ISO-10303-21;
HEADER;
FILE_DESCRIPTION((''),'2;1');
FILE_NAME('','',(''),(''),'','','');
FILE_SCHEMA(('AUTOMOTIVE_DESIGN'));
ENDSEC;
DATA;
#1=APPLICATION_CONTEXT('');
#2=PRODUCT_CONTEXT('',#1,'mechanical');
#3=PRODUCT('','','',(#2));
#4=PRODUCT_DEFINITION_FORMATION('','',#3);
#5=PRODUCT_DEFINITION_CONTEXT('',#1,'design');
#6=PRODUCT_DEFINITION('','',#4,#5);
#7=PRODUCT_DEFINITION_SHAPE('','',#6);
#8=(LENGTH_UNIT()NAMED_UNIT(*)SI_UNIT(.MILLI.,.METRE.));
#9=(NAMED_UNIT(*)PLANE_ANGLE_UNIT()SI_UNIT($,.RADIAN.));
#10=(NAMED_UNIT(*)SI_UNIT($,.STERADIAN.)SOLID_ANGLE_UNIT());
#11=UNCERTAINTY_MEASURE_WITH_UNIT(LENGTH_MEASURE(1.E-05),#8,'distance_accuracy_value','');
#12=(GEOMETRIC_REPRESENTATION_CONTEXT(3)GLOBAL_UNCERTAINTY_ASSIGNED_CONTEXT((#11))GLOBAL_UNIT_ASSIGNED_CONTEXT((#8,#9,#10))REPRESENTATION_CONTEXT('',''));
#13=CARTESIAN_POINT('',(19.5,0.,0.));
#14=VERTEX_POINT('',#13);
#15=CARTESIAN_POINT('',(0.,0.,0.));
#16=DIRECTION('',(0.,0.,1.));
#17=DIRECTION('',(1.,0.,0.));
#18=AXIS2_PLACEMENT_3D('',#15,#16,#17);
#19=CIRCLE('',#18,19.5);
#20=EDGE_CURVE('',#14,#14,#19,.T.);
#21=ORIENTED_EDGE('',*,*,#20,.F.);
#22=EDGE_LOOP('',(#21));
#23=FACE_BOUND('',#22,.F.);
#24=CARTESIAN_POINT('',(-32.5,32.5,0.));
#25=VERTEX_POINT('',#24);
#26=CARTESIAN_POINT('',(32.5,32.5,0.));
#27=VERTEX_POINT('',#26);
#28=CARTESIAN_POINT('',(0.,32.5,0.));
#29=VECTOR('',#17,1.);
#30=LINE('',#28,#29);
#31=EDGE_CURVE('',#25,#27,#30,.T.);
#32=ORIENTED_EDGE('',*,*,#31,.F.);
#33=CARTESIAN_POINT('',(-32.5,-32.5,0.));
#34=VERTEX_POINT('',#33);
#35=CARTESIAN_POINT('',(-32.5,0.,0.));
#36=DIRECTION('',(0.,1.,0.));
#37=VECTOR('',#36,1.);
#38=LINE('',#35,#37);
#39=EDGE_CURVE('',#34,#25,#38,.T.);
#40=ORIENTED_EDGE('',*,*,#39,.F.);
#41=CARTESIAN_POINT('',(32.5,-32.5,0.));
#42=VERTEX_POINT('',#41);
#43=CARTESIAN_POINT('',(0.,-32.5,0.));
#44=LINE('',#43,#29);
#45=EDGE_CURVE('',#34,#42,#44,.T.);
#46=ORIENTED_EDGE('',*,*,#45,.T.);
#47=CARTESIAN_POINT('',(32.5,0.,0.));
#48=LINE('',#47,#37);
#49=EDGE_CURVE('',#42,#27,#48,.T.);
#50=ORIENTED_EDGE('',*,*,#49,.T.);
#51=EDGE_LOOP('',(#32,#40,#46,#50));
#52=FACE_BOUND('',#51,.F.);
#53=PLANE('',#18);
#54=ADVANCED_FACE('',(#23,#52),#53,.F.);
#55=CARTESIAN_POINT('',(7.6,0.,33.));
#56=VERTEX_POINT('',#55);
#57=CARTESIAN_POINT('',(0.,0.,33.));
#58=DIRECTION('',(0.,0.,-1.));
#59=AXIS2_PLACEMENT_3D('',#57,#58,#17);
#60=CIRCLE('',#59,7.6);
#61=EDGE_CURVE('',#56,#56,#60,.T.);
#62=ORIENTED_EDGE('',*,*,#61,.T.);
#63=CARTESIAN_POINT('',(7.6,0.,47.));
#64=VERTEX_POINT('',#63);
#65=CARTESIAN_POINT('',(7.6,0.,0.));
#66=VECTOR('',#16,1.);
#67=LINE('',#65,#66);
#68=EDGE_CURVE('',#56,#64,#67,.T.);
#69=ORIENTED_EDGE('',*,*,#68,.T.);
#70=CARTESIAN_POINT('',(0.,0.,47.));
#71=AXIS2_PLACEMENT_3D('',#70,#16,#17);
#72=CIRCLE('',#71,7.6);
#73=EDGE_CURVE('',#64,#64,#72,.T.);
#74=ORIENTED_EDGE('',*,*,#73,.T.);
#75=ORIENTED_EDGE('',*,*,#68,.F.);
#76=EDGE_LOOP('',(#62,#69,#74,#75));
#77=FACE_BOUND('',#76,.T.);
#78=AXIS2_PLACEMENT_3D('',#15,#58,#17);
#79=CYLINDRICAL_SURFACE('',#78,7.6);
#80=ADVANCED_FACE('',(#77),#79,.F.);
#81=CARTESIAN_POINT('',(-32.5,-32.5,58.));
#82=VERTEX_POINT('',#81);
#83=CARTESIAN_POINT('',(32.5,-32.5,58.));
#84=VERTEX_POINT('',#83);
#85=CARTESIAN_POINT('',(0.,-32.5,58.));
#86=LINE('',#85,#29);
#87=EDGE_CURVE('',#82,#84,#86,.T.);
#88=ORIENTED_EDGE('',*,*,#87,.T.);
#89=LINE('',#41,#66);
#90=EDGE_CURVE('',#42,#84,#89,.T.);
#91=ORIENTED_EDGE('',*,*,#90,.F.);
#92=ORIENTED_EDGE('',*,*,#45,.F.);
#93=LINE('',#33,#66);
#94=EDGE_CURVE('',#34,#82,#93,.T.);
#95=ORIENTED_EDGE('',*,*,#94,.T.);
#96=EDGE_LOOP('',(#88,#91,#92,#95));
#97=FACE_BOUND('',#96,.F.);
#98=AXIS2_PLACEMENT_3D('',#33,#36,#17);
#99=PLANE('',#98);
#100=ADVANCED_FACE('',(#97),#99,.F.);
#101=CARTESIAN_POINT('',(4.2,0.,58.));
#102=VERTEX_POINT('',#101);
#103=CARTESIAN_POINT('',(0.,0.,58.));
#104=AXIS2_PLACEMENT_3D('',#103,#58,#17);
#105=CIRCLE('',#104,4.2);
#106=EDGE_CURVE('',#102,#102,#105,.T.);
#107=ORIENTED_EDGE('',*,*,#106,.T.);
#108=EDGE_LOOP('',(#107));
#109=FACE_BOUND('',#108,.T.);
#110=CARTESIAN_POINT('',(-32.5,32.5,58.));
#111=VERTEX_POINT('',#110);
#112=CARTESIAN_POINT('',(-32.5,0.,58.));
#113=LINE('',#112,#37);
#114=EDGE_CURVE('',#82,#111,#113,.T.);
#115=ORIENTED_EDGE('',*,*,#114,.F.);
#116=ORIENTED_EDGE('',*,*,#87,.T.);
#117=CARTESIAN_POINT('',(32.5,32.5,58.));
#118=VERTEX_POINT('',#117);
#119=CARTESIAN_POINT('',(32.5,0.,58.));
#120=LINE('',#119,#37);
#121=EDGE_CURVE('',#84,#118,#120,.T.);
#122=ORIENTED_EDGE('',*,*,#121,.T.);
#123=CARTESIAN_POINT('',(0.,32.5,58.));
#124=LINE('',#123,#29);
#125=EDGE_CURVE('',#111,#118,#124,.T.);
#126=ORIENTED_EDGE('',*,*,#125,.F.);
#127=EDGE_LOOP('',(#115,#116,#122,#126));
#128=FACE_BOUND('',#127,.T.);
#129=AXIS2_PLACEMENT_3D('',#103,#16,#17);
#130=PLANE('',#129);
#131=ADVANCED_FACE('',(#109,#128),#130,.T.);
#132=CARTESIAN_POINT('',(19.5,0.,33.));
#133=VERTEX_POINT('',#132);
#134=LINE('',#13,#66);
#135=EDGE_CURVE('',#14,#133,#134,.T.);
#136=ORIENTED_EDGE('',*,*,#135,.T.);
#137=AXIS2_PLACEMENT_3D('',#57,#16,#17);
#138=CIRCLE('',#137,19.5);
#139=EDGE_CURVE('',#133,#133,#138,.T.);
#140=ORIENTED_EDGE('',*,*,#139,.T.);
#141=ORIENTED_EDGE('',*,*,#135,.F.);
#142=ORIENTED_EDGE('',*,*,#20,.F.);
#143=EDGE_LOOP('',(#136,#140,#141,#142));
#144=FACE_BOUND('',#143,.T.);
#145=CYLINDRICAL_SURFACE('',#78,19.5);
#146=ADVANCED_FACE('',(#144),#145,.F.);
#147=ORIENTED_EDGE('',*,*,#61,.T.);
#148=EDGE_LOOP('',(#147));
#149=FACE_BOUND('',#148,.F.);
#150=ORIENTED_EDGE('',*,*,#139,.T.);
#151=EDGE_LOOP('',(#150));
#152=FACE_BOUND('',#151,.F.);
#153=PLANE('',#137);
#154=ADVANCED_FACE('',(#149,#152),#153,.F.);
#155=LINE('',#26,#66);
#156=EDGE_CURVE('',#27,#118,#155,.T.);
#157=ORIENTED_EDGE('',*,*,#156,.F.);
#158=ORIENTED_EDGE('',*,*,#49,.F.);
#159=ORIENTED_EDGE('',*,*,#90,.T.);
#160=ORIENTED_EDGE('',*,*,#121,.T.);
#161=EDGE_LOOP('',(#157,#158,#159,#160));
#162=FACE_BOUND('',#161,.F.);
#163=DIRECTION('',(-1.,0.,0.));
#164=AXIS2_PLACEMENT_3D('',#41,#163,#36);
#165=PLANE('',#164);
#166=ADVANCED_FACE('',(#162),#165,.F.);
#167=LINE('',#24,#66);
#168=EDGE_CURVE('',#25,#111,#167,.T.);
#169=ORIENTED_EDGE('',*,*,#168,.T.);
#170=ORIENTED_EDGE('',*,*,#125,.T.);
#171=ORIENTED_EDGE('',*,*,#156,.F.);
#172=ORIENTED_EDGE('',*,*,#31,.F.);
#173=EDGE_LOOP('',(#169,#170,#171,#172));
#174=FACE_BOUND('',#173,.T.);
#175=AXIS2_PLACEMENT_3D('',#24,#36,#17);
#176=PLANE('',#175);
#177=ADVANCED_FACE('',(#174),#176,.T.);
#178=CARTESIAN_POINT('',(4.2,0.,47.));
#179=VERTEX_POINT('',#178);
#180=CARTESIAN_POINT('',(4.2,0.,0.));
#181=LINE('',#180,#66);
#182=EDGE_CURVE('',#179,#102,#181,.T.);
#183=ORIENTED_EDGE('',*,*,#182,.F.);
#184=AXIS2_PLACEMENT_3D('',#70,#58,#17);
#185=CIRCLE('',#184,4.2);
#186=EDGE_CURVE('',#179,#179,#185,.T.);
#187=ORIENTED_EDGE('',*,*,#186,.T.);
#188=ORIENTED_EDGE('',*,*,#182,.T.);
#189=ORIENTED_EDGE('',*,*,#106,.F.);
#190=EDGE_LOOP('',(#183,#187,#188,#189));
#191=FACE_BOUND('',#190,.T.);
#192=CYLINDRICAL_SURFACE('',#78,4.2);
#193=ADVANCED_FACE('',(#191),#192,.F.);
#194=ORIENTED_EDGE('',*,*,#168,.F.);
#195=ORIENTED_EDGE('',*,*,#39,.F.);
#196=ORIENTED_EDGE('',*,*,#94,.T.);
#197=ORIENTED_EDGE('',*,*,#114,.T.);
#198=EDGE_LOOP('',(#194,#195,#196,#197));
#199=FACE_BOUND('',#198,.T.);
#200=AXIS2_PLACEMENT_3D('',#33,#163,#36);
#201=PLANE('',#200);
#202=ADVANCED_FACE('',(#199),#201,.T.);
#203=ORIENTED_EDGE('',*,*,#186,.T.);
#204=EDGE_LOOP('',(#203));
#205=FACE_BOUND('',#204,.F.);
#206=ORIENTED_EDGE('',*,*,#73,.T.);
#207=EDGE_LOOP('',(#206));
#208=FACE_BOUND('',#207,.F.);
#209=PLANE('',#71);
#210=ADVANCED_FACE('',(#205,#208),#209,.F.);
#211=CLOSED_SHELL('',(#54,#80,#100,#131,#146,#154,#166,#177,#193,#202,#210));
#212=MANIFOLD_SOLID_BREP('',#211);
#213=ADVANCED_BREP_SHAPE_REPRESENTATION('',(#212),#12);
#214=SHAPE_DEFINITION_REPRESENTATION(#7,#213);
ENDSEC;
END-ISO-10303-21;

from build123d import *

# Parameters (mm, degrees)
F0_W     = 65
F0_H     = 65
F5_DEPTH = 58
F1_R     = 25.5
F6_DEPTH = 25
F3_R     = 4.2
F7_DEPTH = 134
F4_R     = 7.6
F8_DEPTH = 47
F2_R     = 19.5
F9_DEPTH = 33


with BuildPart() as f5:
    # F0 (on Top) → F5 (new body)
    with BuildSketch(Plane.XY):
        Rectangle(F0_W, F0_H)
    extrude(amount=F5_DEPTH)

    # F1 (on face) → F6 (join)
    with BuildSketch(Plane.XY):
        Circle(F1_R)
    extrude(amount=F6_DEPTH)

    # F3 (on Top) → F7 (cut)
    with BuildSketch(Plane.XY):
        Circle(F3_R)
    extrude(amount=F7_DEPTH, mode=Mode.SUBTRACT)

    # F4 (on Top) → F8 (cut)
    with BuildSketch(Plane.XY):
        Circle(F4_R)
    extrude(amount=F8_DEPTH, mode=Mode.SUBTRACT)

    # F2 (on Top) → F9 (cut)
    with BuildSketch(Plane.XY):
        Circle(F2_R)
    extrude(amount=F9_DEPTH, mode=Mode.SUBTRACT)


solid = f5.part
